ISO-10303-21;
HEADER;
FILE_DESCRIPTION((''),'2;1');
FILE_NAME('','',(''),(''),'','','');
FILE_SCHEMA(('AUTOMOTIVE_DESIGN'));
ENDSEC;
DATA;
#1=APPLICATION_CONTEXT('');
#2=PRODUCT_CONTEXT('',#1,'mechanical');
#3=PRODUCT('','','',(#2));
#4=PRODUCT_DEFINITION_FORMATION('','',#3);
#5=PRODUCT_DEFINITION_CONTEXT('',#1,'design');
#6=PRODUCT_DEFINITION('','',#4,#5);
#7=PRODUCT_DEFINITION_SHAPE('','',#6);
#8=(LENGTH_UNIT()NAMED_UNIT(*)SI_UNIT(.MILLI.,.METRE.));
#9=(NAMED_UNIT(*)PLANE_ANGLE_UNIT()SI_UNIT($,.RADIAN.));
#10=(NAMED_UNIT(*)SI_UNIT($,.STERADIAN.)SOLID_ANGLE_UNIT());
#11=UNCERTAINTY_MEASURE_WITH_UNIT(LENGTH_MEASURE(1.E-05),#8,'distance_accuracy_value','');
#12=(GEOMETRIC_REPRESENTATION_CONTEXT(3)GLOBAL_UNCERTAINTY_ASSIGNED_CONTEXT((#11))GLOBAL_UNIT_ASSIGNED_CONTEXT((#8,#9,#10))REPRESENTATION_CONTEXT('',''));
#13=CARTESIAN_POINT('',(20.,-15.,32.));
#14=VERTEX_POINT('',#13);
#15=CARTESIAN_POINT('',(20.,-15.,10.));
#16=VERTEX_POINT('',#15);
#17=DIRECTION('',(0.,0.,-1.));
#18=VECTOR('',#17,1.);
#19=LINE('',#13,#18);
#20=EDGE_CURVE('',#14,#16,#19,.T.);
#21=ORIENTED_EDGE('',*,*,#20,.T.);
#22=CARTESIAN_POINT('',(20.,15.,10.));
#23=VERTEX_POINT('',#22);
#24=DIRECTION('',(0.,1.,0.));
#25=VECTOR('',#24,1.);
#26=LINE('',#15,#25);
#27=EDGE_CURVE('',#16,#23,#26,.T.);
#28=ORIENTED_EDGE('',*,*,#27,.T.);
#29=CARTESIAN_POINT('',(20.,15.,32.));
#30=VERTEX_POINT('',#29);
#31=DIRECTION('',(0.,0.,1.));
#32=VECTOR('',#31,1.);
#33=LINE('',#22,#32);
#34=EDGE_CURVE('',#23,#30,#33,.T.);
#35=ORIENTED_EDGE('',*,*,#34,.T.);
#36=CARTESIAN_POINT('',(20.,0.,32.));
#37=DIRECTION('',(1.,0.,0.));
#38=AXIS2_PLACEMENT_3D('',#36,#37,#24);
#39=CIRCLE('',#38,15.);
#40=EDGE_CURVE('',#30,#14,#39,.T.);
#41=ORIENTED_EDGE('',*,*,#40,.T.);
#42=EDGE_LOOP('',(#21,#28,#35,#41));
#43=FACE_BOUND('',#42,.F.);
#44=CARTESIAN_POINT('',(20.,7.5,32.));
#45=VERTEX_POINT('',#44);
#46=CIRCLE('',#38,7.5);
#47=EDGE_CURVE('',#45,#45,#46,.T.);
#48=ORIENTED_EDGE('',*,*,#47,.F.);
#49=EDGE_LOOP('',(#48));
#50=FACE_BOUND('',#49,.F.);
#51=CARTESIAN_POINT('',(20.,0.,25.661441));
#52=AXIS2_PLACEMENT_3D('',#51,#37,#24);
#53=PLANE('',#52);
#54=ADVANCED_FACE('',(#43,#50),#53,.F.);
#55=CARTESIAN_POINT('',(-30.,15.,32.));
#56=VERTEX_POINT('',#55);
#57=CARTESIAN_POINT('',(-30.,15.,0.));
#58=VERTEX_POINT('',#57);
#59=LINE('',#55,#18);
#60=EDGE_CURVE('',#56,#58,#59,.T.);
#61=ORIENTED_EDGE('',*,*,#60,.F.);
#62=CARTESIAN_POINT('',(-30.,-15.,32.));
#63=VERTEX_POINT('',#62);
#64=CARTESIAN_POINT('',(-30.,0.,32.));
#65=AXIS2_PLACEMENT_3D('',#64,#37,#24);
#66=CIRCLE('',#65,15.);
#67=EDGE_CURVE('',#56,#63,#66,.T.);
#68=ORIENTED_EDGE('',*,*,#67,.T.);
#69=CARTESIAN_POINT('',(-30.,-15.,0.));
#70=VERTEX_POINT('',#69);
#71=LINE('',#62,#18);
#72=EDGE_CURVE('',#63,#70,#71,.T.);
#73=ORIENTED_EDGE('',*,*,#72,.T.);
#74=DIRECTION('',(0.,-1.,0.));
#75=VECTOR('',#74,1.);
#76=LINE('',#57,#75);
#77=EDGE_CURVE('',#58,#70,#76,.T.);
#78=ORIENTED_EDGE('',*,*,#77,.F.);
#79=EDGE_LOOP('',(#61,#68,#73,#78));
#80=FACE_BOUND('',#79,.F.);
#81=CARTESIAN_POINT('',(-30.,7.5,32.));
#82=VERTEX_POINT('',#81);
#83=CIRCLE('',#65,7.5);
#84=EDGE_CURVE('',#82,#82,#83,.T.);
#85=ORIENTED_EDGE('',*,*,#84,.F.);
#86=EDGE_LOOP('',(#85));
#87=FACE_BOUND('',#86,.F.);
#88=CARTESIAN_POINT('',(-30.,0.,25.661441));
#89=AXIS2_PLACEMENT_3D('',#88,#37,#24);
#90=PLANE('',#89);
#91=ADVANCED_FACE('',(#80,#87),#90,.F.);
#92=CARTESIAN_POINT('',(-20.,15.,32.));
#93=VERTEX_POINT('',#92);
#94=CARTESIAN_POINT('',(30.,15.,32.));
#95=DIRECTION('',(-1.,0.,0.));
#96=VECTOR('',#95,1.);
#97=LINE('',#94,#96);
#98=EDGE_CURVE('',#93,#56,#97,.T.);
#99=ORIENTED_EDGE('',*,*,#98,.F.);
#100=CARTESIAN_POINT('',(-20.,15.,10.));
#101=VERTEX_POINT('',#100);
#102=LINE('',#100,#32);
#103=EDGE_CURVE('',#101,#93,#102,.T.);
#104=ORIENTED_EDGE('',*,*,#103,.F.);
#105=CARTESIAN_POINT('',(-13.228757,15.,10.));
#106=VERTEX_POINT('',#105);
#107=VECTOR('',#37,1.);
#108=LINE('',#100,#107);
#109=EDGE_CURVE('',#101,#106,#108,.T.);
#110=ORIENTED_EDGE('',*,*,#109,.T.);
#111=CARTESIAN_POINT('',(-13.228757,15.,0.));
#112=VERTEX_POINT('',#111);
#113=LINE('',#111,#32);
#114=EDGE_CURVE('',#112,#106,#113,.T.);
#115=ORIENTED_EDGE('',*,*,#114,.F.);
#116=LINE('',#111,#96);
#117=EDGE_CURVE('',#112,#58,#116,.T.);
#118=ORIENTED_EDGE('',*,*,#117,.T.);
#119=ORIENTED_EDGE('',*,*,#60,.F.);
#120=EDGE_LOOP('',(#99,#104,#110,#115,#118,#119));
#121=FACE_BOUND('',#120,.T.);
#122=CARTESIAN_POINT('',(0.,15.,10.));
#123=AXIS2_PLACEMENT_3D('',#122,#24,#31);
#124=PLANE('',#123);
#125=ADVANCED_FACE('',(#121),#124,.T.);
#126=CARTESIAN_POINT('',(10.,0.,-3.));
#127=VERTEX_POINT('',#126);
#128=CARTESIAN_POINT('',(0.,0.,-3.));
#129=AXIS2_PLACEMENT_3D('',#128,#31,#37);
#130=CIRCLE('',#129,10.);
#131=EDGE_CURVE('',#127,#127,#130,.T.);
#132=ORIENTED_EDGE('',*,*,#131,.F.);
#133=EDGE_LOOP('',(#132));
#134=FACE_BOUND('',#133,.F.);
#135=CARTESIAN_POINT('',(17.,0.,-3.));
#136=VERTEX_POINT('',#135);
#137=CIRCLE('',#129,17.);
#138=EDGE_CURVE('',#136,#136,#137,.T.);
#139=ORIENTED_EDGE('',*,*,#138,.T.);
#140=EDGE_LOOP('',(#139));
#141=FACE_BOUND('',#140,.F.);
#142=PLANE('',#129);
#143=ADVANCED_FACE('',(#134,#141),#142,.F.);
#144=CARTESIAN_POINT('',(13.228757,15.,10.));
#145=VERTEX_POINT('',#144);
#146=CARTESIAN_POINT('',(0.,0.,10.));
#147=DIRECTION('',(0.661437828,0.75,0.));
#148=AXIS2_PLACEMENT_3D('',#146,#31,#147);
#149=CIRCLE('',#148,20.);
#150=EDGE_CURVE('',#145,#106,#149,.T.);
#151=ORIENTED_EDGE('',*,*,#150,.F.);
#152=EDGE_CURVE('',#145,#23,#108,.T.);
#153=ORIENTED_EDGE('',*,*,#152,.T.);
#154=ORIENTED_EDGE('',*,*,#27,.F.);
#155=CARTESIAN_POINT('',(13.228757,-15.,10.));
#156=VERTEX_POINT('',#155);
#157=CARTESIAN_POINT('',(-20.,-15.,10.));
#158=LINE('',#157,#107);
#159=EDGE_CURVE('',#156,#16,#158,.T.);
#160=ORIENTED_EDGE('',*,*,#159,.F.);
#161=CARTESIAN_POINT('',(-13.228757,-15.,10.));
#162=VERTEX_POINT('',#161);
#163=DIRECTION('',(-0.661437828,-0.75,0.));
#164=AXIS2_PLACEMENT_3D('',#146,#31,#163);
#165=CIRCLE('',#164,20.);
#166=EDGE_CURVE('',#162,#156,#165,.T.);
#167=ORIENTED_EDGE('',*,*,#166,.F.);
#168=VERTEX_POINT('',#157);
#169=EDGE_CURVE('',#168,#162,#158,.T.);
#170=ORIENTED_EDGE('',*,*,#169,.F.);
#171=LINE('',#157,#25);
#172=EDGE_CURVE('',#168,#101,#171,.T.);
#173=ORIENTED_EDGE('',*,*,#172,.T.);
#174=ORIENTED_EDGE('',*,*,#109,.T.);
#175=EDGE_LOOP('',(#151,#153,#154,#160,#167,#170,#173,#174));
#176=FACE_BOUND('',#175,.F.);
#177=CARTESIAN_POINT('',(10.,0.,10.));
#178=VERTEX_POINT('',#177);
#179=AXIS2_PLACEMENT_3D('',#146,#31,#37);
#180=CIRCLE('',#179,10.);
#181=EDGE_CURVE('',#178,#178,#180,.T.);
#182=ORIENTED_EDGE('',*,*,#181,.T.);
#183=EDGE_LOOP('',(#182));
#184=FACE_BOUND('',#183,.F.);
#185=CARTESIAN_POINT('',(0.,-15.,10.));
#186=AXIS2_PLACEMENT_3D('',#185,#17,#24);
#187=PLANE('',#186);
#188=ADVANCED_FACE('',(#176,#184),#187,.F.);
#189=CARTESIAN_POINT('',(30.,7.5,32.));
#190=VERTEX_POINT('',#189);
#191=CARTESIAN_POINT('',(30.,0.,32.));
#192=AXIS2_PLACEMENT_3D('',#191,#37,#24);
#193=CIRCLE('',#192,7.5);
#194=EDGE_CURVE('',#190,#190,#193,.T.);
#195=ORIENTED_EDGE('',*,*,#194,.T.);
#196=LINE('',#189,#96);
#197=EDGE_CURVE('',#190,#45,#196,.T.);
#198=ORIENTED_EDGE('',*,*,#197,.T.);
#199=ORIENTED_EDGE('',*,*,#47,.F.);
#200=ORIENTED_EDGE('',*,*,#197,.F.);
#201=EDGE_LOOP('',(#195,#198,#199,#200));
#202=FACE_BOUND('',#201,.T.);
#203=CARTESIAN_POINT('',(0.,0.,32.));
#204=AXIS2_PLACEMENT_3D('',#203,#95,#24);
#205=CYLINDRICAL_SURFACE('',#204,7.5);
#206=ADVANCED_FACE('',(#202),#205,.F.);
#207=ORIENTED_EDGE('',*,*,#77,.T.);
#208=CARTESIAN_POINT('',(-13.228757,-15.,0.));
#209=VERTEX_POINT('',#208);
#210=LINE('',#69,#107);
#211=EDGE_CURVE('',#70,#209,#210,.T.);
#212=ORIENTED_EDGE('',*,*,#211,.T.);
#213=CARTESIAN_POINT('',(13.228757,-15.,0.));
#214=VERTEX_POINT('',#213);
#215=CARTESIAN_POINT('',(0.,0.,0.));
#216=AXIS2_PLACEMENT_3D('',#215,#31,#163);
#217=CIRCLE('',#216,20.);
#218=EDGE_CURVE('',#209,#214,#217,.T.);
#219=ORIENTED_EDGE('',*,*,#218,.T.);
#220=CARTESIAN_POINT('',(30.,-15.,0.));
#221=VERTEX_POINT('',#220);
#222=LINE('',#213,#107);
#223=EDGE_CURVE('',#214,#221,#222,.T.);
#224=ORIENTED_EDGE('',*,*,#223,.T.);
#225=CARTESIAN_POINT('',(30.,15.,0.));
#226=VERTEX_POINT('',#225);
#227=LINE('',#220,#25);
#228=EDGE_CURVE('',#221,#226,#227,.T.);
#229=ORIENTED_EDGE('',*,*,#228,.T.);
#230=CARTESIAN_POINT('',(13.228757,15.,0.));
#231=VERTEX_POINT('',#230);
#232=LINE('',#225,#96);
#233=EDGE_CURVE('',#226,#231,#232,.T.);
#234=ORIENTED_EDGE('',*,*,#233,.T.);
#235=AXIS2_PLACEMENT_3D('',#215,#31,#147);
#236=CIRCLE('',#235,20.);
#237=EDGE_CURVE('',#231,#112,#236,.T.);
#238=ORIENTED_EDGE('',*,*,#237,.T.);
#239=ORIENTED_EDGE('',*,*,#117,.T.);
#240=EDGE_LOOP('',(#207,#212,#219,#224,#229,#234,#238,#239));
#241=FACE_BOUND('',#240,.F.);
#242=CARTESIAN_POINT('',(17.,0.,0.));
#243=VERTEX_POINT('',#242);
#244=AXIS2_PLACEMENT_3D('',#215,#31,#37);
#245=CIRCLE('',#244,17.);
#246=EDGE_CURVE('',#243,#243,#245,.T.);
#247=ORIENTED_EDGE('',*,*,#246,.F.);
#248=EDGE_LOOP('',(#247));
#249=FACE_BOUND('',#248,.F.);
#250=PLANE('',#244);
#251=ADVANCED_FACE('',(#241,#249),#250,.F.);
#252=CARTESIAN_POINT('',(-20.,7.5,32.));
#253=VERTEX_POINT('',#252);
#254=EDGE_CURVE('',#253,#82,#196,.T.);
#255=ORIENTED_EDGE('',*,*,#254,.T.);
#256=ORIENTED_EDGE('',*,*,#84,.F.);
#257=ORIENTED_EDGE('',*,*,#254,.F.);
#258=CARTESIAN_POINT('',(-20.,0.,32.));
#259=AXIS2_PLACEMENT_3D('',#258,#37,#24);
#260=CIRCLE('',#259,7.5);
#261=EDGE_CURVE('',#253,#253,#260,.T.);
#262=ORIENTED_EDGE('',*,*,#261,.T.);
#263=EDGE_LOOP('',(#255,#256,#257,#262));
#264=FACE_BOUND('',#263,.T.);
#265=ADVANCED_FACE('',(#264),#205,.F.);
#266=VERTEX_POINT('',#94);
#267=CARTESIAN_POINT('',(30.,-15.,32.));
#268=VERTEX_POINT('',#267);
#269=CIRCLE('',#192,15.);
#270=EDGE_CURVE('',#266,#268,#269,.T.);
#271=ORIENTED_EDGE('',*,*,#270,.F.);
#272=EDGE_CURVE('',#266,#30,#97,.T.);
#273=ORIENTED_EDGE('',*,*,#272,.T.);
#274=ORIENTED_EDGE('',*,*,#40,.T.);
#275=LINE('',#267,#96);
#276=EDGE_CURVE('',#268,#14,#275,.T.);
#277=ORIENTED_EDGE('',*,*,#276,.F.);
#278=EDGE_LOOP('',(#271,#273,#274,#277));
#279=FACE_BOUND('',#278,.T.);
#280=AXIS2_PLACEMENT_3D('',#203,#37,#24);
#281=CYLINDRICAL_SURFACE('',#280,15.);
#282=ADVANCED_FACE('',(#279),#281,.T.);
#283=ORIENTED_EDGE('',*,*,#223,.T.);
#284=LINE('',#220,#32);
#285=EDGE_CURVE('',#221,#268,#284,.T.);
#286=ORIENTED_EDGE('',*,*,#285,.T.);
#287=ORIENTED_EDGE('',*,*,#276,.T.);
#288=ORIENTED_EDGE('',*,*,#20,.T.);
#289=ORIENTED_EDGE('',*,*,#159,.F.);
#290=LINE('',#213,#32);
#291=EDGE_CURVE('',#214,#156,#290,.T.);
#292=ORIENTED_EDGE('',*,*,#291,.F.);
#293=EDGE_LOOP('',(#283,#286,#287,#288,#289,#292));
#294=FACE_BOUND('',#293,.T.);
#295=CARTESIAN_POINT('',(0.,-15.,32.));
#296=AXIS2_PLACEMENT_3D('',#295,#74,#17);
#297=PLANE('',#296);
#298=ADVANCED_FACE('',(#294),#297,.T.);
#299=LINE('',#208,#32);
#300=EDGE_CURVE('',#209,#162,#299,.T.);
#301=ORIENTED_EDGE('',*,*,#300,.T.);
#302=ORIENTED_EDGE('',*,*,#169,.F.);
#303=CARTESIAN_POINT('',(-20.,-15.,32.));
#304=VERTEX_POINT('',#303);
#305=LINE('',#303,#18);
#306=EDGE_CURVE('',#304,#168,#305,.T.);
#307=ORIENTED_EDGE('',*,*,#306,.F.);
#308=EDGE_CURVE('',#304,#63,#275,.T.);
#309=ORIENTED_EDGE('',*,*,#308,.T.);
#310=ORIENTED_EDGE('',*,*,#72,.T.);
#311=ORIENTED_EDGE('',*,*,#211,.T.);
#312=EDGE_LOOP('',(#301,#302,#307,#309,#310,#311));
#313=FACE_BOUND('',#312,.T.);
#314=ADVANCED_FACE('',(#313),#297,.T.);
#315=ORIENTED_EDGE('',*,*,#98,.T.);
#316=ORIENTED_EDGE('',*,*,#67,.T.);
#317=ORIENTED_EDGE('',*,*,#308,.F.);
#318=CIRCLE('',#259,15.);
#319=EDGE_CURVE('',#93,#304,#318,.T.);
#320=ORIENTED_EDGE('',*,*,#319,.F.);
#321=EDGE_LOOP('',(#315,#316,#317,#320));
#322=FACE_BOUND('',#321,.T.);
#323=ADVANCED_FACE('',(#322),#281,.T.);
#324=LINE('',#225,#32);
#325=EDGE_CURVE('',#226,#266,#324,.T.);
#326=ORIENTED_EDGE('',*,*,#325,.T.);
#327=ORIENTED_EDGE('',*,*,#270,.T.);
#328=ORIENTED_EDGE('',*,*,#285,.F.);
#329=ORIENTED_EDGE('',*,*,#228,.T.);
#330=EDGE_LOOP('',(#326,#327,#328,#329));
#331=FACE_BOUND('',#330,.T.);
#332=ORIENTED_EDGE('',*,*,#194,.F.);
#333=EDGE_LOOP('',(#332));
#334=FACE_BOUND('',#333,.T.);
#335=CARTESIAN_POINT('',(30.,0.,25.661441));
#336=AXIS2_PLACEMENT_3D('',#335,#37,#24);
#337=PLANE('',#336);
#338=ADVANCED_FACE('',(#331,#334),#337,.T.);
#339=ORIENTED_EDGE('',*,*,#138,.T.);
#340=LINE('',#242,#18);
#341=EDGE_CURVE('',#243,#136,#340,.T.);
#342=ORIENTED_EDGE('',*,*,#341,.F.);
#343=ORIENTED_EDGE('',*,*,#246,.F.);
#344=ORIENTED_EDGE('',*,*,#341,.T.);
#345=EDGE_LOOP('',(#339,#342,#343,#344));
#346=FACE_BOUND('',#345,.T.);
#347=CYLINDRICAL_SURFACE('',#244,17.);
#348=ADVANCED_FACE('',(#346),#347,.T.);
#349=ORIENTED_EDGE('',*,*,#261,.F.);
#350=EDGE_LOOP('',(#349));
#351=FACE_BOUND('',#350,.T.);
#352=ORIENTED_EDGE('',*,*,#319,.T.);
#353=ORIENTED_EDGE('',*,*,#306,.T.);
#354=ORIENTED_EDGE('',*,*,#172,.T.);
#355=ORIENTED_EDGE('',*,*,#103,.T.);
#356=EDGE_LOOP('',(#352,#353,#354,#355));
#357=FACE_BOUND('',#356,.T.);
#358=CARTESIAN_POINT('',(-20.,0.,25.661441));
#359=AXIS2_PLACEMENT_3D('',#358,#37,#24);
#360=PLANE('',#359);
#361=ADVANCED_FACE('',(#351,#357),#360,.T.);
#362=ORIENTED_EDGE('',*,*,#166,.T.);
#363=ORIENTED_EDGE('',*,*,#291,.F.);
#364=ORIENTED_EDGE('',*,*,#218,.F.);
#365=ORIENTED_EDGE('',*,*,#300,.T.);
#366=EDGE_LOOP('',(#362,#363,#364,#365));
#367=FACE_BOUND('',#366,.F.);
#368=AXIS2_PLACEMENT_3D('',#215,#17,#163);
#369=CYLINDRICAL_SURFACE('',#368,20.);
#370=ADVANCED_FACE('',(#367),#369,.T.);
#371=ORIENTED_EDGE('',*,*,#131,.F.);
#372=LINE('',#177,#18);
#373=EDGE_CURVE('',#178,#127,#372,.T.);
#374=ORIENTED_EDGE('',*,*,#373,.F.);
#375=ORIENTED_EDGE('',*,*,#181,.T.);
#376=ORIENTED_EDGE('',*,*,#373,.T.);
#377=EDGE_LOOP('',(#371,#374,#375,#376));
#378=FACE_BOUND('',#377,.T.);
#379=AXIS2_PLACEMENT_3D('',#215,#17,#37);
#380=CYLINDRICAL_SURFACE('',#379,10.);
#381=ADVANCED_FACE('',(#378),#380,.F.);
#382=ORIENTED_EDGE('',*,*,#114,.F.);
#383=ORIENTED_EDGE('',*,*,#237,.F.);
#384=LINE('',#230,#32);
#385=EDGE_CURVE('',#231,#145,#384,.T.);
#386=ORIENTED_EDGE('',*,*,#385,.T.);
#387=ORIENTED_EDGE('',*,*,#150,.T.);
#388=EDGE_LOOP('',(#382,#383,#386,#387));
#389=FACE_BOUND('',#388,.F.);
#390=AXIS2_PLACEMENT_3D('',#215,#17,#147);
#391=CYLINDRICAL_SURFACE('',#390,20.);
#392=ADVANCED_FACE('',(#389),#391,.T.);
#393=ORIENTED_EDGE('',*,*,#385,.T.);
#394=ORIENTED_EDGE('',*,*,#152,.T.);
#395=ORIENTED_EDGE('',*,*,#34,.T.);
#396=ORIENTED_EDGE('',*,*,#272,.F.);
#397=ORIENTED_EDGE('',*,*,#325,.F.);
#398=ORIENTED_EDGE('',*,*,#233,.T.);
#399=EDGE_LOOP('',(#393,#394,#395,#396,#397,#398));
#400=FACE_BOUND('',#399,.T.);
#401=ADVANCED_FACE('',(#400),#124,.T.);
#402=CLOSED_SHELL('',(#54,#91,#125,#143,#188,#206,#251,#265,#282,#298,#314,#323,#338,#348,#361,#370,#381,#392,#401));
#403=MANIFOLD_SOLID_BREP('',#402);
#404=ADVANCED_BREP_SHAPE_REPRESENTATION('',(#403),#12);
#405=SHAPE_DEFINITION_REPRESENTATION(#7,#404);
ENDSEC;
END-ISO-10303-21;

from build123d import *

# Parameters (mm, degrees)
F0_R     = 17
F0_R_2   = 10
F1_DEPTH = 10
F2_DEPTH = 3
F3_R     = 7.5
F4_DEPTH = 30
F5_DEPTH = 20


with BuildPart() as f1:
    # F0 (on Top) → F1 (new body)
    with BuildSketch(Plane.XY):
        with BuildLine():
            Line((-13.2287565553, 15), (-30, 15))
            Line((-30, 15), (-30, -15))
            Line((-30, -15), (-13.2287565553, -15))
            ThreePointArc((-13.2287565553, -15), (0, -20), (13.2287565553, -15))
            Line((13.2287565553, -15), (30, -15))
            Line((30, -15), (30, 15))
            Line((30, 15), (13.2287565553, 15))
            ThreePointArc((13.2287565553, 15), (0, 20), (-13.2287565553, 15))
        make_face()
        Circle(F0_R, mode=Mode.SUBTRACT)
        Circle(F0_R)
        Circle(F0_R_2, mode=Mode.SUBTRACT)
    extrude(amount=F1_DEPTH)

    # F0 (on Top) → F2 (join)
    with BuildSketch(Plane.XY):
        Circle(F0_R)
        Circle(F0_R_2, mode=Mode.SUBTRACT)
    extrude(amount=-F2_DEPTH)

    # F3 (on Right) → F4 (join, symmetric)
    with BuildSketch(Plane.YZ):
        with BuildLine():
            Line((-15, 32), (-15, 10))
            Line((-15, 10), (15, 10))
            Line((15, 10), (15, 32))
            ThreePointArc((15, 32), (0, 47), (-15, 32))
        make_face()
        with Locations((0, 32)):
            Circle(F3_R, mode=Mode.SUBTRACT)
    extrude(amount=F4_DEPTH, both=True)

    # F3 (on Right) → F5 (cut, symmetric)
    with BuildSketch(Plane.YZ):
        with BuildLine():
            Line((-15, 32), (-15, 10))
            Line((-15, 10), (15, 10))
            Line((15, 10), (15, 32))
            ThreePointArc((15, 32), (0, 47), (-15, 32))
        make_face()
        with Locations((0, 32)):
            Circle(F3_R, mode=Mode.SUBTRACT)
    extrude(amount=F5_DEPTH, both=True, mode=Mode.SUBTRACT)


solid = f1.part
